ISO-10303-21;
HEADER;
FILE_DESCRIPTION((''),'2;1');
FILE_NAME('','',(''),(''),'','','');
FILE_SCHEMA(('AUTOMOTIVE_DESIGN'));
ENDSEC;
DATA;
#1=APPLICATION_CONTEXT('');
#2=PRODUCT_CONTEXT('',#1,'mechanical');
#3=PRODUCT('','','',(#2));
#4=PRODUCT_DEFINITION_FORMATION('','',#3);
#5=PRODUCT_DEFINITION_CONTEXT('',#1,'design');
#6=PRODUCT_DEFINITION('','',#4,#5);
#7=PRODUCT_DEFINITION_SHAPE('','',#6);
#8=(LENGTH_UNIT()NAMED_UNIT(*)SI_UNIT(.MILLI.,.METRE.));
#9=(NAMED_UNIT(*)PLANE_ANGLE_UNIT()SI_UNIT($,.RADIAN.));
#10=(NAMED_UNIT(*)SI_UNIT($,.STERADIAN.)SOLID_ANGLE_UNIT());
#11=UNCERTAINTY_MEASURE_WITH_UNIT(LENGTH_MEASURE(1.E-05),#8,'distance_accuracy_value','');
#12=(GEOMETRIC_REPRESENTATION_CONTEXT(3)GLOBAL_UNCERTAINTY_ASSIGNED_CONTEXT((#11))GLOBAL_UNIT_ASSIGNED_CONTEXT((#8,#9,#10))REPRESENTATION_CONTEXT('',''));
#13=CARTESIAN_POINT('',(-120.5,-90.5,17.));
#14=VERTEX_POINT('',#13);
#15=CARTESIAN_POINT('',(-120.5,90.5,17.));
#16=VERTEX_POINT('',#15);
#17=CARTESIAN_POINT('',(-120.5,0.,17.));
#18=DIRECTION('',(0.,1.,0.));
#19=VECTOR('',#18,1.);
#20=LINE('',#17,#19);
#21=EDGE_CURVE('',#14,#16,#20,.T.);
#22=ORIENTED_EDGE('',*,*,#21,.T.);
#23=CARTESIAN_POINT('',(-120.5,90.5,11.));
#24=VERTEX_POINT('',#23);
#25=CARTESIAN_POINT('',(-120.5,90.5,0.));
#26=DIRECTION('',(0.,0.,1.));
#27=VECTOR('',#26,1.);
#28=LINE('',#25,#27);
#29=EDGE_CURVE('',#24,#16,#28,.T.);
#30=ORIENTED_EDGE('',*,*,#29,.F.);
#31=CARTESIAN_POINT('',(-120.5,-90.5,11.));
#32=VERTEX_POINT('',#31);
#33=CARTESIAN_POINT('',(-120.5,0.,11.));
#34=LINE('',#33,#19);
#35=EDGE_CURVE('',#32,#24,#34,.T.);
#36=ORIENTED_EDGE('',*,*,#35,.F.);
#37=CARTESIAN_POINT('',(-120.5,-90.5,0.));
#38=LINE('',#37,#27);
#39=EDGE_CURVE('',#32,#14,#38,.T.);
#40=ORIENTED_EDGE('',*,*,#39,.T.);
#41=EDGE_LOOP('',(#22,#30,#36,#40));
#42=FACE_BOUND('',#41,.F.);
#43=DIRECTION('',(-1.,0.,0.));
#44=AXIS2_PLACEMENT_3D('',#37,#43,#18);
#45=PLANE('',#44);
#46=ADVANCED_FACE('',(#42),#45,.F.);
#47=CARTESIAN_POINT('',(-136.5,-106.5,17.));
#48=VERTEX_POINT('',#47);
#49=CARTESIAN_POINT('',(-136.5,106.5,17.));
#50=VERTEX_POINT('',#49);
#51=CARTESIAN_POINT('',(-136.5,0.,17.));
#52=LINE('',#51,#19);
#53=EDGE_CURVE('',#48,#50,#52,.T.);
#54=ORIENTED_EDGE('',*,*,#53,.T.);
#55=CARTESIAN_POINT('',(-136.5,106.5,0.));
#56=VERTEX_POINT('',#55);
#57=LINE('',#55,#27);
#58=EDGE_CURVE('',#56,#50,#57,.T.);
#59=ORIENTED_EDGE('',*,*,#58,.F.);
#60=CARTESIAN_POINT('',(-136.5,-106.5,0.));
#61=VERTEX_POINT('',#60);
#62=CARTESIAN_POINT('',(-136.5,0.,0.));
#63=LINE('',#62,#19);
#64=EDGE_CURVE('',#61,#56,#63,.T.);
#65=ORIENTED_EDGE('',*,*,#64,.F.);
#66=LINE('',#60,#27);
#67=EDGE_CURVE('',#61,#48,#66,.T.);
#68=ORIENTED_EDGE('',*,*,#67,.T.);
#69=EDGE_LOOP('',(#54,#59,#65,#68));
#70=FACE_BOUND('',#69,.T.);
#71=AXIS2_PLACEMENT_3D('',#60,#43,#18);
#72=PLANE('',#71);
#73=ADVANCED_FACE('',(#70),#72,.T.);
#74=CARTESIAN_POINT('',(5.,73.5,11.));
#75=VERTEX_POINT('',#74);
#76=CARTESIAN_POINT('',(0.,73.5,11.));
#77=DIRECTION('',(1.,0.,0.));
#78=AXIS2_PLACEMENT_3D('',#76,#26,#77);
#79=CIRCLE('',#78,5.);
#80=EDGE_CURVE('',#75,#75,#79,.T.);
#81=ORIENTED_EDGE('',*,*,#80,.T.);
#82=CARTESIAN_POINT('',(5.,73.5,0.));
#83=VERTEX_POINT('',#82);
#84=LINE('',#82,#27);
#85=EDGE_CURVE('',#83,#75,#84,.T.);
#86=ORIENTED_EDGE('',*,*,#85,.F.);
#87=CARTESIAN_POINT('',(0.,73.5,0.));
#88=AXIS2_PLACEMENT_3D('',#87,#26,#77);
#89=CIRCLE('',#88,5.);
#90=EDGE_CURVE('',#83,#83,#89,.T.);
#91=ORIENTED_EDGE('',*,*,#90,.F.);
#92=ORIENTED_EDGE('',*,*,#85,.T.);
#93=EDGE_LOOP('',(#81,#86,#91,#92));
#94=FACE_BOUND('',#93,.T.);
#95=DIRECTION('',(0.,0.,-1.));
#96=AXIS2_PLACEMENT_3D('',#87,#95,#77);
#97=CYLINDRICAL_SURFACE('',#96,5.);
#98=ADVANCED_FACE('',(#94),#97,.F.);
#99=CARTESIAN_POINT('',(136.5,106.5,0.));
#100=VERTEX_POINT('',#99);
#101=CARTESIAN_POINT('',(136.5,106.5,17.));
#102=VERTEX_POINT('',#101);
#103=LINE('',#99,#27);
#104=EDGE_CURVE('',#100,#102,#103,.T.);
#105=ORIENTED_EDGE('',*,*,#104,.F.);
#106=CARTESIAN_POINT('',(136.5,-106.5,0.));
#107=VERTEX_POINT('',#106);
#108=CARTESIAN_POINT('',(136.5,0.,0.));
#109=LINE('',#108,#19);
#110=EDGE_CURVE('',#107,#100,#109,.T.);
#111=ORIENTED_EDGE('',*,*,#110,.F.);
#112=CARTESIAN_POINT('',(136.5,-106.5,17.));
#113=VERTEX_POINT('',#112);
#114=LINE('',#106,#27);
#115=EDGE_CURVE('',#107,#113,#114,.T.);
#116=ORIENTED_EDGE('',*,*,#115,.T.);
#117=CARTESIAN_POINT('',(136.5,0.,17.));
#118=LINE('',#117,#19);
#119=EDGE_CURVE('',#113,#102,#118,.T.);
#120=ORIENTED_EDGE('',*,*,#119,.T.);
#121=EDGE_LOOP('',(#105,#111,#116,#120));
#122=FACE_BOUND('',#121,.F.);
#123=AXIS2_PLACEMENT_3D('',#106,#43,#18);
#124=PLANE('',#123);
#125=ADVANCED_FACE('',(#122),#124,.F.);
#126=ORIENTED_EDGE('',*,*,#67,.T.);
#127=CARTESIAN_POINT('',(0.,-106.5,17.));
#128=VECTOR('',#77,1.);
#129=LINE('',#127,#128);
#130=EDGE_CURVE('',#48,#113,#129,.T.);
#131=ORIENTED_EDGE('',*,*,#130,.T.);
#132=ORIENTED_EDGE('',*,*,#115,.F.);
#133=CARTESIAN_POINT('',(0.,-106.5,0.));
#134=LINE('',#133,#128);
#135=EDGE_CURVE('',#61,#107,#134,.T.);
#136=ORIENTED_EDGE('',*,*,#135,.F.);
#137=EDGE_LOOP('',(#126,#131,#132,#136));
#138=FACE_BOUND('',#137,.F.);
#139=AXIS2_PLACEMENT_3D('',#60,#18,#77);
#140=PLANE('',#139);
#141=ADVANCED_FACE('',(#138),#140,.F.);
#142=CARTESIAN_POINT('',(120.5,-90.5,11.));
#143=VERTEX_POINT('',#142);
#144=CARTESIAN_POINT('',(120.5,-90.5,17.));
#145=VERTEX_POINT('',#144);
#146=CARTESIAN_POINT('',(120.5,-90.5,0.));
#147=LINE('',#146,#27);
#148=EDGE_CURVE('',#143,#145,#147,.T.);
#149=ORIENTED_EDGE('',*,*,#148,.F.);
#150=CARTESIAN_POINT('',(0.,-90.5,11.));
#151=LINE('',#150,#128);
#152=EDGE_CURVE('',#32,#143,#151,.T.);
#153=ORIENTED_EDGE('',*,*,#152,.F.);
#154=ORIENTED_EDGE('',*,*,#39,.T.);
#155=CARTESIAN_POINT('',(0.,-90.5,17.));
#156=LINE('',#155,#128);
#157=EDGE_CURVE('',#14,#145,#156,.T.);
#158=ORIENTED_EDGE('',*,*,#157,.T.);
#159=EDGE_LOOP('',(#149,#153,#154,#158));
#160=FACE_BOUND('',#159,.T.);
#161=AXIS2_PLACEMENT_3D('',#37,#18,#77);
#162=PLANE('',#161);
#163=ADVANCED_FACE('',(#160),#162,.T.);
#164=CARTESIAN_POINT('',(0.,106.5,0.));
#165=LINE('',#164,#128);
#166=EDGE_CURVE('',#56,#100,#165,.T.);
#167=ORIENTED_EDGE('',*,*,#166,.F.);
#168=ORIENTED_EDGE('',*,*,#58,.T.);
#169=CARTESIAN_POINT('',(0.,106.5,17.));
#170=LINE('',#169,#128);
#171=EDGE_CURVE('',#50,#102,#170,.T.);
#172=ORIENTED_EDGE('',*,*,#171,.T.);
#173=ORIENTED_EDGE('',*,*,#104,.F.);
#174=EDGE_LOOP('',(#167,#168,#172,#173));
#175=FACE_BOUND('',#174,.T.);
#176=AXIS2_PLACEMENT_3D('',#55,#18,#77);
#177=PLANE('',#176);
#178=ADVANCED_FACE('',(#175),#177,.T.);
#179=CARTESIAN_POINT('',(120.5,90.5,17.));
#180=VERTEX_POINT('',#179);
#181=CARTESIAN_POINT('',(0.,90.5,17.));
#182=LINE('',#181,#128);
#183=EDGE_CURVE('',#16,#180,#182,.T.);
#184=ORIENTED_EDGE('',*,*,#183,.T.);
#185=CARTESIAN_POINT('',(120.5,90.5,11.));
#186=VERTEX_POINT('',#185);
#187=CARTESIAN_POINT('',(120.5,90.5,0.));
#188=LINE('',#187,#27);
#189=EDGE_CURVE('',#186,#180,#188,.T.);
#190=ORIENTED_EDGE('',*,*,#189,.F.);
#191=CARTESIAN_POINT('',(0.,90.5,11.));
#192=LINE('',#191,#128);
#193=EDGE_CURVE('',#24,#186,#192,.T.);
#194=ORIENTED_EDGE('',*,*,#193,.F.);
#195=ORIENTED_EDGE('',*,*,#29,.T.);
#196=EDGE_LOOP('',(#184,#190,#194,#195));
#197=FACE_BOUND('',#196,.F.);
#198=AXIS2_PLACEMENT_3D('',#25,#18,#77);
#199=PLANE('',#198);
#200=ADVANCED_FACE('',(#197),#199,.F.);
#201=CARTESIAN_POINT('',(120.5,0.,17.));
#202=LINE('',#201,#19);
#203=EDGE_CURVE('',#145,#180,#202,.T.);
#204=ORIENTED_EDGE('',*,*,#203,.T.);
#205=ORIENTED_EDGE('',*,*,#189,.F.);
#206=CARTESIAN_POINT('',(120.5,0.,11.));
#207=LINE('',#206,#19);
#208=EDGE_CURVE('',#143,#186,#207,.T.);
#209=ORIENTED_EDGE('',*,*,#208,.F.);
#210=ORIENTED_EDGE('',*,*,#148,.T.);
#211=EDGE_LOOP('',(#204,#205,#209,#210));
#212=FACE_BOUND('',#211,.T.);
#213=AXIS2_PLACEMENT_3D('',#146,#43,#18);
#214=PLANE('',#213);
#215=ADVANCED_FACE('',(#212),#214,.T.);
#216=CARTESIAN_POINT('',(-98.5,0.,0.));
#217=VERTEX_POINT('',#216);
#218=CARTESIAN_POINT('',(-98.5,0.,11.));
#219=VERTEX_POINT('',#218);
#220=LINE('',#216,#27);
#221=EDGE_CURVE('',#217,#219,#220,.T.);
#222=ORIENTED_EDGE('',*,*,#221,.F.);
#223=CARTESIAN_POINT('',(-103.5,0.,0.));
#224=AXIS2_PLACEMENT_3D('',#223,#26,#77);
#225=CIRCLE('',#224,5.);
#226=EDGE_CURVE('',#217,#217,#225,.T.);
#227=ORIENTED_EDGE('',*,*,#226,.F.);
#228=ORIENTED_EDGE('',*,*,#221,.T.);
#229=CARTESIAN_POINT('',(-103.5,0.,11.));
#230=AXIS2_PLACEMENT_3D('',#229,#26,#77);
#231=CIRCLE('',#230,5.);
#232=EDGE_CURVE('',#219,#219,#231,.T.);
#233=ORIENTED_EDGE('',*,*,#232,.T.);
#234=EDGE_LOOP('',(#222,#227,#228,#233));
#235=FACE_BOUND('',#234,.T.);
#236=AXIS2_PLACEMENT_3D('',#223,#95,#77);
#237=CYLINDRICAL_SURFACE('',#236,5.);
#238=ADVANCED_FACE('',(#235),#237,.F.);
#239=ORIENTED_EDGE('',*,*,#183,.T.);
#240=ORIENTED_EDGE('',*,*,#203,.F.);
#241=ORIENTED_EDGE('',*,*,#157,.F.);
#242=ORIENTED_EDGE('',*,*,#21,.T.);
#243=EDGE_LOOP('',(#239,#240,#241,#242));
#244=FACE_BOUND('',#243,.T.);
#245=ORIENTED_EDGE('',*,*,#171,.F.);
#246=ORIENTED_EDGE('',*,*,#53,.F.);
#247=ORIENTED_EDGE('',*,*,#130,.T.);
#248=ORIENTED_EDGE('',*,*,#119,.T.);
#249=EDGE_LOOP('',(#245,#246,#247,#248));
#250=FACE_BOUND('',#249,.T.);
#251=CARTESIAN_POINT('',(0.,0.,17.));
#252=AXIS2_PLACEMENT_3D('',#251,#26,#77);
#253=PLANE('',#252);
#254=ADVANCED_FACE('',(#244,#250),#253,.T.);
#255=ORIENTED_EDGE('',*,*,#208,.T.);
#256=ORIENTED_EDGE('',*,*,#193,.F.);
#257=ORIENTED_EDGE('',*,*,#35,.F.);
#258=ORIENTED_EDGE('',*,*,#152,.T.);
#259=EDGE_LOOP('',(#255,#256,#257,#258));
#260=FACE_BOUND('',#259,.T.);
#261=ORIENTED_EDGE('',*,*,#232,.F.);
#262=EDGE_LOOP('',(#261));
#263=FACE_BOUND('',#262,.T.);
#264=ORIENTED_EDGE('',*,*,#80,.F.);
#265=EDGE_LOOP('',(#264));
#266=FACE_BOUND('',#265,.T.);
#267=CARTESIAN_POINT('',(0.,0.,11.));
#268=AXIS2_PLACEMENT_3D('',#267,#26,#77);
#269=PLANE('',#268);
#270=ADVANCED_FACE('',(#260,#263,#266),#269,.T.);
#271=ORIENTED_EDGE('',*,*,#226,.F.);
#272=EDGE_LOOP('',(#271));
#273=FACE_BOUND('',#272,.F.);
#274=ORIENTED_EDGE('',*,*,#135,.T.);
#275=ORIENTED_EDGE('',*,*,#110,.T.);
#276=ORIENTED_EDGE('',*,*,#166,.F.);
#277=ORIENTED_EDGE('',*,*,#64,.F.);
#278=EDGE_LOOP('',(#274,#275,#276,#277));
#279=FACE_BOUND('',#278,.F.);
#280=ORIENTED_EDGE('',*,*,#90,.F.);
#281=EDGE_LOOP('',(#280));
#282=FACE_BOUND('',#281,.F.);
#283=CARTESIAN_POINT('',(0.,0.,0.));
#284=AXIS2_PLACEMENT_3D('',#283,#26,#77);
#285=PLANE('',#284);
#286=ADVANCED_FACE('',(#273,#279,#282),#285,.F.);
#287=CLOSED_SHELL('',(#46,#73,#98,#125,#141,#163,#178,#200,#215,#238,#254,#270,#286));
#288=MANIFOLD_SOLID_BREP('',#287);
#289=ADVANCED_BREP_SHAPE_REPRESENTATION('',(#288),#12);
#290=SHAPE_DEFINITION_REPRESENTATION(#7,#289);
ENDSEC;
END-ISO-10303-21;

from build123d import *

# Parameters (mm, degrees)
F0_W     = 273
F0_H     = 213
F0_W_2   = 241
F0_H_2   = 181
F1_DEPTH = 17
F0_R     = 5
F2_DEPTH = 11


with BuildPart() as f1:
    # F0 (on Top) → F1 (new body)
    with BuildSketch(Plane.XY):
        Rectangle(F0_W, F0_H)
        Rectangle(F0_W_2, F0_H_2, mode=Mode.SUBTRACT)
    extrude(amount=F1_DEPTH)

    # F0 (on Top) → F2 (join)
    with BuildSketch(Plane.XY):
        Rectangle(F0_W_2, F0_H_2)
        with Locations((-103.5, 0)):
            Circle(F0_R, mode=Mode.SUBTRACT)
        with Locations((0, 73.5)):
            Circle(F0_R, mode=Mode.SUBTRACT)
    extrude(amount=F2_DEPTH)


solid = f1.part
